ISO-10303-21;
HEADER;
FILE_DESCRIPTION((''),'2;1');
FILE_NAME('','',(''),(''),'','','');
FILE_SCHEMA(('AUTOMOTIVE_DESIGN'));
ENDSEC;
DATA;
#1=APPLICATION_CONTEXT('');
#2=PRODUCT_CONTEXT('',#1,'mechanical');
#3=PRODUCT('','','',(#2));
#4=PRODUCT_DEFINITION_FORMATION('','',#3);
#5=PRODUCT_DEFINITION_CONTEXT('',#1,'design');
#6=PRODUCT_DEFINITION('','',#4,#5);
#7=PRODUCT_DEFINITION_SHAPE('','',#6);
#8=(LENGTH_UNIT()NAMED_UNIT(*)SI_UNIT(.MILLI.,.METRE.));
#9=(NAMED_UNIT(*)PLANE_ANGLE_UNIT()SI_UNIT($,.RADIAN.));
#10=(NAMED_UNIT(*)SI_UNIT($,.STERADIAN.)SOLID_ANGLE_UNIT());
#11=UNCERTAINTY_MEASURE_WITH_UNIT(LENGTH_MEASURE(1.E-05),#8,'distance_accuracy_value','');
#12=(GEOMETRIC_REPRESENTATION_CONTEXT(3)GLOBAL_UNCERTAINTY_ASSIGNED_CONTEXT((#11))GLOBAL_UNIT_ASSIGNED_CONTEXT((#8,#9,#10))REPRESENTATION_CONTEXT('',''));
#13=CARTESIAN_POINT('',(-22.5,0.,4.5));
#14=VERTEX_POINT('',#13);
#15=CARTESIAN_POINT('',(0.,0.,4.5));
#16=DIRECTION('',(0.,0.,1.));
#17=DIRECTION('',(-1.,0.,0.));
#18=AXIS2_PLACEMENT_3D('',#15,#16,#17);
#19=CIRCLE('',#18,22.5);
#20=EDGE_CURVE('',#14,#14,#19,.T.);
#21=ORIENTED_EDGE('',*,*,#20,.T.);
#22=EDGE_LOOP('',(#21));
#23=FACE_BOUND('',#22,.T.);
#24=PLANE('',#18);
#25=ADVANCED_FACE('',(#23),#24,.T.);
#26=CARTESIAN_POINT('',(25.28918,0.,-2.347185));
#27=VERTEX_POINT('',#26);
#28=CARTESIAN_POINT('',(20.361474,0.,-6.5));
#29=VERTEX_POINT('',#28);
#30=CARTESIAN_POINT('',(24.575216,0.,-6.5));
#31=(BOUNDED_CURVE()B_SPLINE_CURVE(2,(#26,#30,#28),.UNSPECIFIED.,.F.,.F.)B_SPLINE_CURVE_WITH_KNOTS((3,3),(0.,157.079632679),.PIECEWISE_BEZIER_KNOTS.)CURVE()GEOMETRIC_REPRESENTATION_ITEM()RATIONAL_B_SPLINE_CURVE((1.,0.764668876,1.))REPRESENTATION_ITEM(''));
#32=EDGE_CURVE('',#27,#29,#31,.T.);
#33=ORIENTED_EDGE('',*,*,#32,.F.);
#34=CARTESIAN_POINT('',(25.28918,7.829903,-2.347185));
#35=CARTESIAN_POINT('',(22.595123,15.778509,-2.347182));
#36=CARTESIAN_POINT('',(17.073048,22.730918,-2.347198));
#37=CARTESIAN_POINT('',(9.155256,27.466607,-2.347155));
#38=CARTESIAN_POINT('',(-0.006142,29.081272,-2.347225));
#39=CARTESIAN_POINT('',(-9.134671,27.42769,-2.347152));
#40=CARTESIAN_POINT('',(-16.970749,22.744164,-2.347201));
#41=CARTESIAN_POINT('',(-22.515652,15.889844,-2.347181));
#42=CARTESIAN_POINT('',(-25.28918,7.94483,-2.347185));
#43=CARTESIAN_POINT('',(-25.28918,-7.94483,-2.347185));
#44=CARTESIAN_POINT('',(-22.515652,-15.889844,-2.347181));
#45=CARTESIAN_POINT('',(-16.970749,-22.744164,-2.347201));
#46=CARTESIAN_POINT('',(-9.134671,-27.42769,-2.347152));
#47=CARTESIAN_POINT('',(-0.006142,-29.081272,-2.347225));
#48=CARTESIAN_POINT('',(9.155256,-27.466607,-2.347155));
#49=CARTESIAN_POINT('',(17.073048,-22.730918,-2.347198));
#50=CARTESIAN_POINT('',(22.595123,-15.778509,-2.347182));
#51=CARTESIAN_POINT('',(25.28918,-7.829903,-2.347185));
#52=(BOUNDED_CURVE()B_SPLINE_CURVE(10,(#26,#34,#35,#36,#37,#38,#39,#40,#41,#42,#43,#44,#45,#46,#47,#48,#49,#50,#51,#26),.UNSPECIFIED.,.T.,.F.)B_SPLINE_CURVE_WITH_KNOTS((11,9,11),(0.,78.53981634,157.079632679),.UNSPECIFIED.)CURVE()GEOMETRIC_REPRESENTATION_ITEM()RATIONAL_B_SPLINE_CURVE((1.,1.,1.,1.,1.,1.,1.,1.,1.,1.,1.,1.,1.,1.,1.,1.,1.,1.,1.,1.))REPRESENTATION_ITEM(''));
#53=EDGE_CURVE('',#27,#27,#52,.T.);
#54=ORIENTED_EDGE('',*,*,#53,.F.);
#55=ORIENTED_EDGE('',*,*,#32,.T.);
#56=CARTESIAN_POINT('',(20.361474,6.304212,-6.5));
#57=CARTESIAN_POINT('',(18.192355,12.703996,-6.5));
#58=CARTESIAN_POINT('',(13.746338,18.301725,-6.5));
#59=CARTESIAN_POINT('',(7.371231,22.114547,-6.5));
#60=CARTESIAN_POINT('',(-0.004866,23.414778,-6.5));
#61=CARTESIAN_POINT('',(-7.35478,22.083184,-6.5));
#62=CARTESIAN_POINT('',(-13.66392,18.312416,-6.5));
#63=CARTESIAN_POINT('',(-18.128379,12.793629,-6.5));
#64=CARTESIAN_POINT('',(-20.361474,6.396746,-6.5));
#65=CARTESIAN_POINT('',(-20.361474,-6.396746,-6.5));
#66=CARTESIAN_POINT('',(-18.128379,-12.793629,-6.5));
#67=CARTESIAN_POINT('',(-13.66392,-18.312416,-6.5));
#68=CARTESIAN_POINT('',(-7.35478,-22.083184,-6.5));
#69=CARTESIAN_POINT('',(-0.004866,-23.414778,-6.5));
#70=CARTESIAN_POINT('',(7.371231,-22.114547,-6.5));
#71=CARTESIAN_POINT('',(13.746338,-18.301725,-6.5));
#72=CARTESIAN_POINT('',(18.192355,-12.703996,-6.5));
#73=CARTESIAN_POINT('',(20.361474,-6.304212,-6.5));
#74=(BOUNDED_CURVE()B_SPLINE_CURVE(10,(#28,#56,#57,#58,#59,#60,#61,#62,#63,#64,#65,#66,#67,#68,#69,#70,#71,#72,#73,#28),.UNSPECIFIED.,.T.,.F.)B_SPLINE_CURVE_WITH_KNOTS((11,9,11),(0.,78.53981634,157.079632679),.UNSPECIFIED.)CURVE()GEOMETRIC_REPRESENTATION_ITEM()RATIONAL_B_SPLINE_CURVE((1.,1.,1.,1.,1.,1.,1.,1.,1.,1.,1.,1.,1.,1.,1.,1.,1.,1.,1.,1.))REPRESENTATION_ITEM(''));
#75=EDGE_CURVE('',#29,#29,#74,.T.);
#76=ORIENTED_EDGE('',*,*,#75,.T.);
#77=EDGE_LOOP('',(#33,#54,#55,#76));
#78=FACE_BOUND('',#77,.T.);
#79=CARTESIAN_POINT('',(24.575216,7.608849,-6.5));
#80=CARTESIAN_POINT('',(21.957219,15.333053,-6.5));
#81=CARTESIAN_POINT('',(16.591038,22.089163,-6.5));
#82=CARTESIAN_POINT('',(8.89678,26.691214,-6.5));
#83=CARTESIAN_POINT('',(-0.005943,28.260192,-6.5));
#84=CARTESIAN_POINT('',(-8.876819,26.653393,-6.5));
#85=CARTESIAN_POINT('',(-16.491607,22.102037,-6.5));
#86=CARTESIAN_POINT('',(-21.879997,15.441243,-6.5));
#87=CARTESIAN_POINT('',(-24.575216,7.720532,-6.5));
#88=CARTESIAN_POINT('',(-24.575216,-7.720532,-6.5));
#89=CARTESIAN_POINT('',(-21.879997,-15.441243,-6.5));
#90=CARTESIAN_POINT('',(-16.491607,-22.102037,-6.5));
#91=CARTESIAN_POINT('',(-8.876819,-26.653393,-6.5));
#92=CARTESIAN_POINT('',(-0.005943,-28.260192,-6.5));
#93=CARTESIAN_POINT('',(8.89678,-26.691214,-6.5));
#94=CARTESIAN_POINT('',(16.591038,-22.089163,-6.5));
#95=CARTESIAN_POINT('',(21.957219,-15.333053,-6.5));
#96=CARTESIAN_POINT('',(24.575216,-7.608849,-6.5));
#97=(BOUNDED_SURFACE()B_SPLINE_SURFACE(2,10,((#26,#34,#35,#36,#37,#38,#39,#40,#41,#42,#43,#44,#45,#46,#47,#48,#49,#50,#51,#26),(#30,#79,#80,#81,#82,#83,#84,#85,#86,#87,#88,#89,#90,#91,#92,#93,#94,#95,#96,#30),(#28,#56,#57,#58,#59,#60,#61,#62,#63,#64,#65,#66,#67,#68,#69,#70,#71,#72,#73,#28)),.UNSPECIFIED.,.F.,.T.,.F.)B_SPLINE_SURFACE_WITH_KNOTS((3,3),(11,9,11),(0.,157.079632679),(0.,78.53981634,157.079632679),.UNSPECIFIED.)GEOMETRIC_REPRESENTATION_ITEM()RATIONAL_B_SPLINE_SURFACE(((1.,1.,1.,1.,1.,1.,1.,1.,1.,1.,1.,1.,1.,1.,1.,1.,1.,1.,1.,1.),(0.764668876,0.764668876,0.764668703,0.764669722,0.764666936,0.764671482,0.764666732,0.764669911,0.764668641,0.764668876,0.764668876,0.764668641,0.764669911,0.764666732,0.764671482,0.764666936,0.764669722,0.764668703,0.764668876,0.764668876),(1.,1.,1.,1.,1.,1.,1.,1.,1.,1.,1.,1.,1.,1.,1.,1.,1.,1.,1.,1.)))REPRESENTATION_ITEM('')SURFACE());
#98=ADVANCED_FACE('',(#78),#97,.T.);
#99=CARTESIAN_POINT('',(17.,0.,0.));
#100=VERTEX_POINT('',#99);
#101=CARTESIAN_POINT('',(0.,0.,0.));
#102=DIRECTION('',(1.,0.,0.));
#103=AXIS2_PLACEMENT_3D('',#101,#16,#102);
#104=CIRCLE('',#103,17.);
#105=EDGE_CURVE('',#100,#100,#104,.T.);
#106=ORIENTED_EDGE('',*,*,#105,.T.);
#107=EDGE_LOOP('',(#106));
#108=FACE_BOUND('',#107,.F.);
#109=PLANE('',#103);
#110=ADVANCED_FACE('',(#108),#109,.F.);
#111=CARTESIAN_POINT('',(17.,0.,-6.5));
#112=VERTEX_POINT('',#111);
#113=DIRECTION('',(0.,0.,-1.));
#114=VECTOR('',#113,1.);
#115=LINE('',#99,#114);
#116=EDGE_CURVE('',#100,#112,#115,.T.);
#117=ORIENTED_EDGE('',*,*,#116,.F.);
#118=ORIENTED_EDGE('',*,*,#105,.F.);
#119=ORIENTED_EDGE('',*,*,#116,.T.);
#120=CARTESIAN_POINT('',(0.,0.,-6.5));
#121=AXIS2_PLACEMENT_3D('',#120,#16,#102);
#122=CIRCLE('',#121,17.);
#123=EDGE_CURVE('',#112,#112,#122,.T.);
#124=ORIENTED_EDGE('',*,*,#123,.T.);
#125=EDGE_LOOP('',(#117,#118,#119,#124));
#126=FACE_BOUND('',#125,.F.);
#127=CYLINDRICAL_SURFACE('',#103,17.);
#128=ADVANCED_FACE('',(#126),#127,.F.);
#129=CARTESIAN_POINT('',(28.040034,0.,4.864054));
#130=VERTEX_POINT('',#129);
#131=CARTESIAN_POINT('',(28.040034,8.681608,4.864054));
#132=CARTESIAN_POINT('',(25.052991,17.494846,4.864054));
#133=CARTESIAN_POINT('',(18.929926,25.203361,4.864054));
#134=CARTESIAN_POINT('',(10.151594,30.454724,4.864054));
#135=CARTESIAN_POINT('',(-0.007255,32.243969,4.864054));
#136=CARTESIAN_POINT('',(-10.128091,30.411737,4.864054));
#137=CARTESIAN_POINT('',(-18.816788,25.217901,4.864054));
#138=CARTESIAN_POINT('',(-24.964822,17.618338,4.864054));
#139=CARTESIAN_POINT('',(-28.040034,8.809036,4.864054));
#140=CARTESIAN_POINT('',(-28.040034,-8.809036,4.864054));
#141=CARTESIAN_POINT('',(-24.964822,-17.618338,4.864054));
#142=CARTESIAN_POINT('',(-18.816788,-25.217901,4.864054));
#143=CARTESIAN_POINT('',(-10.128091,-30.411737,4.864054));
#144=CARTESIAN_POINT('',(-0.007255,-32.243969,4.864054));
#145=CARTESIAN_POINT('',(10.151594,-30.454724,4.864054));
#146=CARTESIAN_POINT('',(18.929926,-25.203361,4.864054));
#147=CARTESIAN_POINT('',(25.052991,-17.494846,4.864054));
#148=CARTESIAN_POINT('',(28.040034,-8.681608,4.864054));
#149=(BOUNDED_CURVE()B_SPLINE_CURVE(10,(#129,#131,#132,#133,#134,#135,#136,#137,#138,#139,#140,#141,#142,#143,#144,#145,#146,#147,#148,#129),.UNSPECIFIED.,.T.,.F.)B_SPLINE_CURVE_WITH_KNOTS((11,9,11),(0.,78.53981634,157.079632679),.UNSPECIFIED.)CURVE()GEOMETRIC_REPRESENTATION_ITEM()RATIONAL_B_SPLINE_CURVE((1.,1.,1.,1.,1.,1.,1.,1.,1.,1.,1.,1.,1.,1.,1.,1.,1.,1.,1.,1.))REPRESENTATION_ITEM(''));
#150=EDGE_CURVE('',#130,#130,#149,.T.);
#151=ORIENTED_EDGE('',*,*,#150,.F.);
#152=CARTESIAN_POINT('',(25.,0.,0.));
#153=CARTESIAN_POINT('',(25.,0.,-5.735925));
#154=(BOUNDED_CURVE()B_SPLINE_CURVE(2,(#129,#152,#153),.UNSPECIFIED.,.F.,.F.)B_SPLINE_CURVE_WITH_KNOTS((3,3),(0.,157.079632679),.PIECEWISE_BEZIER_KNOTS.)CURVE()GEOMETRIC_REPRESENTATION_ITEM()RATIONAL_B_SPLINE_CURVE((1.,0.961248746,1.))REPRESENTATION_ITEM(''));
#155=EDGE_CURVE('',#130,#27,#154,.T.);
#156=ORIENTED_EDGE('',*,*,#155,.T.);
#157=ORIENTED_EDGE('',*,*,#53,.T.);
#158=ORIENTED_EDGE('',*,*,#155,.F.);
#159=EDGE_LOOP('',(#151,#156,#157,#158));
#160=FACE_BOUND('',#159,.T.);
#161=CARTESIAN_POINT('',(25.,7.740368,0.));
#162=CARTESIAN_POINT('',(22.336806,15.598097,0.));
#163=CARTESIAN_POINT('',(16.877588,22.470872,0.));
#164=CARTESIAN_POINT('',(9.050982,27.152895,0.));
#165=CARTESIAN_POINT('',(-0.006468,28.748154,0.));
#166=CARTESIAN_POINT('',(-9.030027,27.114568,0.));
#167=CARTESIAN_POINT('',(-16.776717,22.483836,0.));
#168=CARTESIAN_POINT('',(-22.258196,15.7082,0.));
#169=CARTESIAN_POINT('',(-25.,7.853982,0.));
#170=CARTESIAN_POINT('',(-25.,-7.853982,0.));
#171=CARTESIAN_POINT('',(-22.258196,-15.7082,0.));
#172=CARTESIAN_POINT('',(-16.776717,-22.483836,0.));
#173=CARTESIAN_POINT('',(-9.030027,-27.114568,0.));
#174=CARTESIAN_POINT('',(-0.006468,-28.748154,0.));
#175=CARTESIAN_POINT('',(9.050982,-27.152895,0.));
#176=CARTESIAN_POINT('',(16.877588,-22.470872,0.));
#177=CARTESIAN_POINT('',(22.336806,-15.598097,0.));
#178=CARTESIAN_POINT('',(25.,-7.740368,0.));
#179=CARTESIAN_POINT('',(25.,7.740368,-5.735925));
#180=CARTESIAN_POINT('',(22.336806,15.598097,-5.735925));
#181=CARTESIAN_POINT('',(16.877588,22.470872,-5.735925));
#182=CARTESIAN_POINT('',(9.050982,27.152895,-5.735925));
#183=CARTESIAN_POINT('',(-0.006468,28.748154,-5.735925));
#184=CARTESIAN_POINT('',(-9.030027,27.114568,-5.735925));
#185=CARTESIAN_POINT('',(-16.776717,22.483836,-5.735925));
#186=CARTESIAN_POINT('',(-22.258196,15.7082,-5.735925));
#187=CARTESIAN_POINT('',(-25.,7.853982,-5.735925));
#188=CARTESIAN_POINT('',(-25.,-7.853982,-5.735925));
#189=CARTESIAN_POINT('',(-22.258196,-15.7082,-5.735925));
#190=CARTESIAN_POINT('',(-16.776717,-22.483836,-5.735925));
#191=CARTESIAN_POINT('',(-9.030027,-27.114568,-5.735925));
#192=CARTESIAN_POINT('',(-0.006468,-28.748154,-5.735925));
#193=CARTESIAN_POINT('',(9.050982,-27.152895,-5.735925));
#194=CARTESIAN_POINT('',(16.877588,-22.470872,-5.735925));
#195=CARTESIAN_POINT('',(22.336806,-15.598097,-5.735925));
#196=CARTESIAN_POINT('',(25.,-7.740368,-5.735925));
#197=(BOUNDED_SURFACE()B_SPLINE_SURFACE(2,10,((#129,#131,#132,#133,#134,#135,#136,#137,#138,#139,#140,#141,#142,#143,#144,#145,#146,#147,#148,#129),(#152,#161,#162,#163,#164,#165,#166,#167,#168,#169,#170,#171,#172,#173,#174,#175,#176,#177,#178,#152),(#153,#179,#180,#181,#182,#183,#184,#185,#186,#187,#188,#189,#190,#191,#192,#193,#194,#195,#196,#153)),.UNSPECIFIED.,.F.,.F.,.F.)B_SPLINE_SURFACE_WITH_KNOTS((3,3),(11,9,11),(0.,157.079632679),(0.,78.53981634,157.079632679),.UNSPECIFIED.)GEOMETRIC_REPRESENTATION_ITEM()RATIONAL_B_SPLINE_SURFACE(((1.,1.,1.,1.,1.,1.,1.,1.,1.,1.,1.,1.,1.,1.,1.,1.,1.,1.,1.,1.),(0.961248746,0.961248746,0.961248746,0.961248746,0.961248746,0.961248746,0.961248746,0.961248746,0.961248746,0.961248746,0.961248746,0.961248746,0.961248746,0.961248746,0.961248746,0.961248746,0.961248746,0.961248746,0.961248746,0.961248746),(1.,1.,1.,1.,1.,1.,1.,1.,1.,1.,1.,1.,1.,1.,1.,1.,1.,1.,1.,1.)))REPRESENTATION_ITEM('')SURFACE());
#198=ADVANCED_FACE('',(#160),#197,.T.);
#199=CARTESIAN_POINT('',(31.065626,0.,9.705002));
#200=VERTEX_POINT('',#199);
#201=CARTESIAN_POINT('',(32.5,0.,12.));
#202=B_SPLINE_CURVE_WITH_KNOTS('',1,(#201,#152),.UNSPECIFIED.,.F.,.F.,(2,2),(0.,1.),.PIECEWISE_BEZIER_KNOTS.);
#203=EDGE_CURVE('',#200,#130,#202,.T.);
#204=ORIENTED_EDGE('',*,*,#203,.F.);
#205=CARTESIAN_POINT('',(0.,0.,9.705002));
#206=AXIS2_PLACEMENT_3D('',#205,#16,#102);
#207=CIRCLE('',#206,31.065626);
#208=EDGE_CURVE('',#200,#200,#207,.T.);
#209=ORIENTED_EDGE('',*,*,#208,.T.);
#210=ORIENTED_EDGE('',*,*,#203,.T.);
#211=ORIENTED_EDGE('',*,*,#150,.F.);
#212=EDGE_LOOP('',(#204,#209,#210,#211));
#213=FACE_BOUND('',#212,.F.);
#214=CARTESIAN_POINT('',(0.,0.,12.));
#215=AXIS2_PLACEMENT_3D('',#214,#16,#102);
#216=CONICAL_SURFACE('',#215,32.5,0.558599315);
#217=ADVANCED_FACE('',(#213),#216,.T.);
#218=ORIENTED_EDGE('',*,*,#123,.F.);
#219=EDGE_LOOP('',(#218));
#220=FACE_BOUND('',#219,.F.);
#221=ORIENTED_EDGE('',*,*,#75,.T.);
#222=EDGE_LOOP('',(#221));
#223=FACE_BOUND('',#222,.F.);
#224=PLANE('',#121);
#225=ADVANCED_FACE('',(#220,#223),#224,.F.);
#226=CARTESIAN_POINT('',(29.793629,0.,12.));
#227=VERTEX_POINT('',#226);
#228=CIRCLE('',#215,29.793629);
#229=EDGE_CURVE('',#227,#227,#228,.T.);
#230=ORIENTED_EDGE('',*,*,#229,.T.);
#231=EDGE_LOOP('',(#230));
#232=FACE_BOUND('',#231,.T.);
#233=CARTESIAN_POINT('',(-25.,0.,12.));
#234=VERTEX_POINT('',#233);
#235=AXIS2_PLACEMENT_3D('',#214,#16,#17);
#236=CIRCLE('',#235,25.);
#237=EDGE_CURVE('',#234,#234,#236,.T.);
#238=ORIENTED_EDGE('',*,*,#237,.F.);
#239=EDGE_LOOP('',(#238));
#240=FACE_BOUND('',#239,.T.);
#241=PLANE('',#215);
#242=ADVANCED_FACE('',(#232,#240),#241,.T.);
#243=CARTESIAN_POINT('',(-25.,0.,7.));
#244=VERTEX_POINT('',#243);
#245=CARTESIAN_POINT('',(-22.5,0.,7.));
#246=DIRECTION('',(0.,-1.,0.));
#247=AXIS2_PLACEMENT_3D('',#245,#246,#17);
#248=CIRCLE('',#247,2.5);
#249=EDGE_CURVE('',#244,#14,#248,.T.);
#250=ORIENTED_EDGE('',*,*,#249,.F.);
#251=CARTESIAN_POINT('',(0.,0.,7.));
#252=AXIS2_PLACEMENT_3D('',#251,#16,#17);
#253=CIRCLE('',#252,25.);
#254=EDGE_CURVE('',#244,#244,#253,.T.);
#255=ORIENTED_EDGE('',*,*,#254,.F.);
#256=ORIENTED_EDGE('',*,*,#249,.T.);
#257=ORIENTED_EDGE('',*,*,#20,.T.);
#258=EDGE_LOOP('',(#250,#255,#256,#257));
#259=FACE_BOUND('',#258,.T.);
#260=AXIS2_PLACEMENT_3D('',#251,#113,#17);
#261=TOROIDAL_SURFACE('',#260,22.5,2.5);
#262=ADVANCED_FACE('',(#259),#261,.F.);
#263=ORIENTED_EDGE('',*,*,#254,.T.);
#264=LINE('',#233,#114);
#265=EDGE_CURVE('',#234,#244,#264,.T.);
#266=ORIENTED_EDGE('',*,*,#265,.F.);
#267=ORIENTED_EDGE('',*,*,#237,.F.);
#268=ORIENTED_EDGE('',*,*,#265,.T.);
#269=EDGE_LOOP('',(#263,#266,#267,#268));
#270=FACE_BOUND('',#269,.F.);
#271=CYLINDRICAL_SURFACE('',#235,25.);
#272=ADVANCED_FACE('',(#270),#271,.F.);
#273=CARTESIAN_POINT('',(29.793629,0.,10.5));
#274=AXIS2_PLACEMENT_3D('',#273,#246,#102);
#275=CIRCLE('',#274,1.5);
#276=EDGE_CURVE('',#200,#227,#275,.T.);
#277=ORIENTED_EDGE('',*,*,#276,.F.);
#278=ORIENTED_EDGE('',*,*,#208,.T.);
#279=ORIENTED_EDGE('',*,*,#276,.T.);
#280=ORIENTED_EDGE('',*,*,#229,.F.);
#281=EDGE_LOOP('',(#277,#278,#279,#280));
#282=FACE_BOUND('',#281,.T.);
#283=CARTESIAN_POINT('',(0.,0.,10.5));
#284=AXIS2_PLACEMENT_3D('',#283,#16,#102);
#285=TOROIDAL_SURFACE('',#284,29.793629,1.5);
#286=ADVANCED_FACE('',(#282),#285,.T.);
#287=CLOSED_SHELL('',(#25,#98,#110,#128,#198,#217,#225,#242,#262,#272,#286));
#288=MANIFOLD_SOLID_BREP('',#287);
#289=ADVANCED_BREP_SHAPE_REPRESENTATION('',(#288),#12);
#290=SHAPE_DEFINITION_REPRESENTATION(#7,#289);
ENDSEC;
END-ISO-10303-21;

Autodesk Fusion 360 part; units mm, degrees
sketch "Sketch1" plane through (0, 0, 0) normal (0, 0, 1) x (1, 0, 0)
  circle A0 centre (0, 0) radius 17
  circle A1 centre (0, 0) radius 25
  dimension "d1" = 34
  dimension "d2" = 50
ref_plane "WorkPlane1" through (0, 0, 12) normal (0, 0, 1) x (1, 0, 0)
sketch "Sketch2" plane through (0, 0, 12) normal (0, 0, 1) x (1, 0, 0)
  circle A0 centre (0, 0) radius 32.5
  dimension "d4" = 65
loft "Loft1" add profiles "Sketch2", "Sketch1" section 1 section 2
extrude "Extrude1" add sketch "Sketch1" against normal blind 6.5
fillet "Fillet1" radius 1.5 1 edges at (-30.3006, 11.7525, 12)
fillet "Fillet2" radius 20 1 edges at (-23.3082, -9.0404, 0)
fillet "Fillet3" radius 5 1 edges at (-23.3082, 9.0404, -6.5)
sketch "Sketch3" plane through (0, 0, 12) normal (0, 0, 1) x (-1, 0, 0)
  circle A0 centre (0, 0) radius 29.7936
  circle A1 centre (0, 0) radius 25
  dimension "d13" = 50
extrude "Extrude2" cut sketch "Sketch3" against normal blind 7.5 contours A1
fillet "Fillet4" radius 2.5 1 edges at (23.3082, -9.0404, 4.5)
